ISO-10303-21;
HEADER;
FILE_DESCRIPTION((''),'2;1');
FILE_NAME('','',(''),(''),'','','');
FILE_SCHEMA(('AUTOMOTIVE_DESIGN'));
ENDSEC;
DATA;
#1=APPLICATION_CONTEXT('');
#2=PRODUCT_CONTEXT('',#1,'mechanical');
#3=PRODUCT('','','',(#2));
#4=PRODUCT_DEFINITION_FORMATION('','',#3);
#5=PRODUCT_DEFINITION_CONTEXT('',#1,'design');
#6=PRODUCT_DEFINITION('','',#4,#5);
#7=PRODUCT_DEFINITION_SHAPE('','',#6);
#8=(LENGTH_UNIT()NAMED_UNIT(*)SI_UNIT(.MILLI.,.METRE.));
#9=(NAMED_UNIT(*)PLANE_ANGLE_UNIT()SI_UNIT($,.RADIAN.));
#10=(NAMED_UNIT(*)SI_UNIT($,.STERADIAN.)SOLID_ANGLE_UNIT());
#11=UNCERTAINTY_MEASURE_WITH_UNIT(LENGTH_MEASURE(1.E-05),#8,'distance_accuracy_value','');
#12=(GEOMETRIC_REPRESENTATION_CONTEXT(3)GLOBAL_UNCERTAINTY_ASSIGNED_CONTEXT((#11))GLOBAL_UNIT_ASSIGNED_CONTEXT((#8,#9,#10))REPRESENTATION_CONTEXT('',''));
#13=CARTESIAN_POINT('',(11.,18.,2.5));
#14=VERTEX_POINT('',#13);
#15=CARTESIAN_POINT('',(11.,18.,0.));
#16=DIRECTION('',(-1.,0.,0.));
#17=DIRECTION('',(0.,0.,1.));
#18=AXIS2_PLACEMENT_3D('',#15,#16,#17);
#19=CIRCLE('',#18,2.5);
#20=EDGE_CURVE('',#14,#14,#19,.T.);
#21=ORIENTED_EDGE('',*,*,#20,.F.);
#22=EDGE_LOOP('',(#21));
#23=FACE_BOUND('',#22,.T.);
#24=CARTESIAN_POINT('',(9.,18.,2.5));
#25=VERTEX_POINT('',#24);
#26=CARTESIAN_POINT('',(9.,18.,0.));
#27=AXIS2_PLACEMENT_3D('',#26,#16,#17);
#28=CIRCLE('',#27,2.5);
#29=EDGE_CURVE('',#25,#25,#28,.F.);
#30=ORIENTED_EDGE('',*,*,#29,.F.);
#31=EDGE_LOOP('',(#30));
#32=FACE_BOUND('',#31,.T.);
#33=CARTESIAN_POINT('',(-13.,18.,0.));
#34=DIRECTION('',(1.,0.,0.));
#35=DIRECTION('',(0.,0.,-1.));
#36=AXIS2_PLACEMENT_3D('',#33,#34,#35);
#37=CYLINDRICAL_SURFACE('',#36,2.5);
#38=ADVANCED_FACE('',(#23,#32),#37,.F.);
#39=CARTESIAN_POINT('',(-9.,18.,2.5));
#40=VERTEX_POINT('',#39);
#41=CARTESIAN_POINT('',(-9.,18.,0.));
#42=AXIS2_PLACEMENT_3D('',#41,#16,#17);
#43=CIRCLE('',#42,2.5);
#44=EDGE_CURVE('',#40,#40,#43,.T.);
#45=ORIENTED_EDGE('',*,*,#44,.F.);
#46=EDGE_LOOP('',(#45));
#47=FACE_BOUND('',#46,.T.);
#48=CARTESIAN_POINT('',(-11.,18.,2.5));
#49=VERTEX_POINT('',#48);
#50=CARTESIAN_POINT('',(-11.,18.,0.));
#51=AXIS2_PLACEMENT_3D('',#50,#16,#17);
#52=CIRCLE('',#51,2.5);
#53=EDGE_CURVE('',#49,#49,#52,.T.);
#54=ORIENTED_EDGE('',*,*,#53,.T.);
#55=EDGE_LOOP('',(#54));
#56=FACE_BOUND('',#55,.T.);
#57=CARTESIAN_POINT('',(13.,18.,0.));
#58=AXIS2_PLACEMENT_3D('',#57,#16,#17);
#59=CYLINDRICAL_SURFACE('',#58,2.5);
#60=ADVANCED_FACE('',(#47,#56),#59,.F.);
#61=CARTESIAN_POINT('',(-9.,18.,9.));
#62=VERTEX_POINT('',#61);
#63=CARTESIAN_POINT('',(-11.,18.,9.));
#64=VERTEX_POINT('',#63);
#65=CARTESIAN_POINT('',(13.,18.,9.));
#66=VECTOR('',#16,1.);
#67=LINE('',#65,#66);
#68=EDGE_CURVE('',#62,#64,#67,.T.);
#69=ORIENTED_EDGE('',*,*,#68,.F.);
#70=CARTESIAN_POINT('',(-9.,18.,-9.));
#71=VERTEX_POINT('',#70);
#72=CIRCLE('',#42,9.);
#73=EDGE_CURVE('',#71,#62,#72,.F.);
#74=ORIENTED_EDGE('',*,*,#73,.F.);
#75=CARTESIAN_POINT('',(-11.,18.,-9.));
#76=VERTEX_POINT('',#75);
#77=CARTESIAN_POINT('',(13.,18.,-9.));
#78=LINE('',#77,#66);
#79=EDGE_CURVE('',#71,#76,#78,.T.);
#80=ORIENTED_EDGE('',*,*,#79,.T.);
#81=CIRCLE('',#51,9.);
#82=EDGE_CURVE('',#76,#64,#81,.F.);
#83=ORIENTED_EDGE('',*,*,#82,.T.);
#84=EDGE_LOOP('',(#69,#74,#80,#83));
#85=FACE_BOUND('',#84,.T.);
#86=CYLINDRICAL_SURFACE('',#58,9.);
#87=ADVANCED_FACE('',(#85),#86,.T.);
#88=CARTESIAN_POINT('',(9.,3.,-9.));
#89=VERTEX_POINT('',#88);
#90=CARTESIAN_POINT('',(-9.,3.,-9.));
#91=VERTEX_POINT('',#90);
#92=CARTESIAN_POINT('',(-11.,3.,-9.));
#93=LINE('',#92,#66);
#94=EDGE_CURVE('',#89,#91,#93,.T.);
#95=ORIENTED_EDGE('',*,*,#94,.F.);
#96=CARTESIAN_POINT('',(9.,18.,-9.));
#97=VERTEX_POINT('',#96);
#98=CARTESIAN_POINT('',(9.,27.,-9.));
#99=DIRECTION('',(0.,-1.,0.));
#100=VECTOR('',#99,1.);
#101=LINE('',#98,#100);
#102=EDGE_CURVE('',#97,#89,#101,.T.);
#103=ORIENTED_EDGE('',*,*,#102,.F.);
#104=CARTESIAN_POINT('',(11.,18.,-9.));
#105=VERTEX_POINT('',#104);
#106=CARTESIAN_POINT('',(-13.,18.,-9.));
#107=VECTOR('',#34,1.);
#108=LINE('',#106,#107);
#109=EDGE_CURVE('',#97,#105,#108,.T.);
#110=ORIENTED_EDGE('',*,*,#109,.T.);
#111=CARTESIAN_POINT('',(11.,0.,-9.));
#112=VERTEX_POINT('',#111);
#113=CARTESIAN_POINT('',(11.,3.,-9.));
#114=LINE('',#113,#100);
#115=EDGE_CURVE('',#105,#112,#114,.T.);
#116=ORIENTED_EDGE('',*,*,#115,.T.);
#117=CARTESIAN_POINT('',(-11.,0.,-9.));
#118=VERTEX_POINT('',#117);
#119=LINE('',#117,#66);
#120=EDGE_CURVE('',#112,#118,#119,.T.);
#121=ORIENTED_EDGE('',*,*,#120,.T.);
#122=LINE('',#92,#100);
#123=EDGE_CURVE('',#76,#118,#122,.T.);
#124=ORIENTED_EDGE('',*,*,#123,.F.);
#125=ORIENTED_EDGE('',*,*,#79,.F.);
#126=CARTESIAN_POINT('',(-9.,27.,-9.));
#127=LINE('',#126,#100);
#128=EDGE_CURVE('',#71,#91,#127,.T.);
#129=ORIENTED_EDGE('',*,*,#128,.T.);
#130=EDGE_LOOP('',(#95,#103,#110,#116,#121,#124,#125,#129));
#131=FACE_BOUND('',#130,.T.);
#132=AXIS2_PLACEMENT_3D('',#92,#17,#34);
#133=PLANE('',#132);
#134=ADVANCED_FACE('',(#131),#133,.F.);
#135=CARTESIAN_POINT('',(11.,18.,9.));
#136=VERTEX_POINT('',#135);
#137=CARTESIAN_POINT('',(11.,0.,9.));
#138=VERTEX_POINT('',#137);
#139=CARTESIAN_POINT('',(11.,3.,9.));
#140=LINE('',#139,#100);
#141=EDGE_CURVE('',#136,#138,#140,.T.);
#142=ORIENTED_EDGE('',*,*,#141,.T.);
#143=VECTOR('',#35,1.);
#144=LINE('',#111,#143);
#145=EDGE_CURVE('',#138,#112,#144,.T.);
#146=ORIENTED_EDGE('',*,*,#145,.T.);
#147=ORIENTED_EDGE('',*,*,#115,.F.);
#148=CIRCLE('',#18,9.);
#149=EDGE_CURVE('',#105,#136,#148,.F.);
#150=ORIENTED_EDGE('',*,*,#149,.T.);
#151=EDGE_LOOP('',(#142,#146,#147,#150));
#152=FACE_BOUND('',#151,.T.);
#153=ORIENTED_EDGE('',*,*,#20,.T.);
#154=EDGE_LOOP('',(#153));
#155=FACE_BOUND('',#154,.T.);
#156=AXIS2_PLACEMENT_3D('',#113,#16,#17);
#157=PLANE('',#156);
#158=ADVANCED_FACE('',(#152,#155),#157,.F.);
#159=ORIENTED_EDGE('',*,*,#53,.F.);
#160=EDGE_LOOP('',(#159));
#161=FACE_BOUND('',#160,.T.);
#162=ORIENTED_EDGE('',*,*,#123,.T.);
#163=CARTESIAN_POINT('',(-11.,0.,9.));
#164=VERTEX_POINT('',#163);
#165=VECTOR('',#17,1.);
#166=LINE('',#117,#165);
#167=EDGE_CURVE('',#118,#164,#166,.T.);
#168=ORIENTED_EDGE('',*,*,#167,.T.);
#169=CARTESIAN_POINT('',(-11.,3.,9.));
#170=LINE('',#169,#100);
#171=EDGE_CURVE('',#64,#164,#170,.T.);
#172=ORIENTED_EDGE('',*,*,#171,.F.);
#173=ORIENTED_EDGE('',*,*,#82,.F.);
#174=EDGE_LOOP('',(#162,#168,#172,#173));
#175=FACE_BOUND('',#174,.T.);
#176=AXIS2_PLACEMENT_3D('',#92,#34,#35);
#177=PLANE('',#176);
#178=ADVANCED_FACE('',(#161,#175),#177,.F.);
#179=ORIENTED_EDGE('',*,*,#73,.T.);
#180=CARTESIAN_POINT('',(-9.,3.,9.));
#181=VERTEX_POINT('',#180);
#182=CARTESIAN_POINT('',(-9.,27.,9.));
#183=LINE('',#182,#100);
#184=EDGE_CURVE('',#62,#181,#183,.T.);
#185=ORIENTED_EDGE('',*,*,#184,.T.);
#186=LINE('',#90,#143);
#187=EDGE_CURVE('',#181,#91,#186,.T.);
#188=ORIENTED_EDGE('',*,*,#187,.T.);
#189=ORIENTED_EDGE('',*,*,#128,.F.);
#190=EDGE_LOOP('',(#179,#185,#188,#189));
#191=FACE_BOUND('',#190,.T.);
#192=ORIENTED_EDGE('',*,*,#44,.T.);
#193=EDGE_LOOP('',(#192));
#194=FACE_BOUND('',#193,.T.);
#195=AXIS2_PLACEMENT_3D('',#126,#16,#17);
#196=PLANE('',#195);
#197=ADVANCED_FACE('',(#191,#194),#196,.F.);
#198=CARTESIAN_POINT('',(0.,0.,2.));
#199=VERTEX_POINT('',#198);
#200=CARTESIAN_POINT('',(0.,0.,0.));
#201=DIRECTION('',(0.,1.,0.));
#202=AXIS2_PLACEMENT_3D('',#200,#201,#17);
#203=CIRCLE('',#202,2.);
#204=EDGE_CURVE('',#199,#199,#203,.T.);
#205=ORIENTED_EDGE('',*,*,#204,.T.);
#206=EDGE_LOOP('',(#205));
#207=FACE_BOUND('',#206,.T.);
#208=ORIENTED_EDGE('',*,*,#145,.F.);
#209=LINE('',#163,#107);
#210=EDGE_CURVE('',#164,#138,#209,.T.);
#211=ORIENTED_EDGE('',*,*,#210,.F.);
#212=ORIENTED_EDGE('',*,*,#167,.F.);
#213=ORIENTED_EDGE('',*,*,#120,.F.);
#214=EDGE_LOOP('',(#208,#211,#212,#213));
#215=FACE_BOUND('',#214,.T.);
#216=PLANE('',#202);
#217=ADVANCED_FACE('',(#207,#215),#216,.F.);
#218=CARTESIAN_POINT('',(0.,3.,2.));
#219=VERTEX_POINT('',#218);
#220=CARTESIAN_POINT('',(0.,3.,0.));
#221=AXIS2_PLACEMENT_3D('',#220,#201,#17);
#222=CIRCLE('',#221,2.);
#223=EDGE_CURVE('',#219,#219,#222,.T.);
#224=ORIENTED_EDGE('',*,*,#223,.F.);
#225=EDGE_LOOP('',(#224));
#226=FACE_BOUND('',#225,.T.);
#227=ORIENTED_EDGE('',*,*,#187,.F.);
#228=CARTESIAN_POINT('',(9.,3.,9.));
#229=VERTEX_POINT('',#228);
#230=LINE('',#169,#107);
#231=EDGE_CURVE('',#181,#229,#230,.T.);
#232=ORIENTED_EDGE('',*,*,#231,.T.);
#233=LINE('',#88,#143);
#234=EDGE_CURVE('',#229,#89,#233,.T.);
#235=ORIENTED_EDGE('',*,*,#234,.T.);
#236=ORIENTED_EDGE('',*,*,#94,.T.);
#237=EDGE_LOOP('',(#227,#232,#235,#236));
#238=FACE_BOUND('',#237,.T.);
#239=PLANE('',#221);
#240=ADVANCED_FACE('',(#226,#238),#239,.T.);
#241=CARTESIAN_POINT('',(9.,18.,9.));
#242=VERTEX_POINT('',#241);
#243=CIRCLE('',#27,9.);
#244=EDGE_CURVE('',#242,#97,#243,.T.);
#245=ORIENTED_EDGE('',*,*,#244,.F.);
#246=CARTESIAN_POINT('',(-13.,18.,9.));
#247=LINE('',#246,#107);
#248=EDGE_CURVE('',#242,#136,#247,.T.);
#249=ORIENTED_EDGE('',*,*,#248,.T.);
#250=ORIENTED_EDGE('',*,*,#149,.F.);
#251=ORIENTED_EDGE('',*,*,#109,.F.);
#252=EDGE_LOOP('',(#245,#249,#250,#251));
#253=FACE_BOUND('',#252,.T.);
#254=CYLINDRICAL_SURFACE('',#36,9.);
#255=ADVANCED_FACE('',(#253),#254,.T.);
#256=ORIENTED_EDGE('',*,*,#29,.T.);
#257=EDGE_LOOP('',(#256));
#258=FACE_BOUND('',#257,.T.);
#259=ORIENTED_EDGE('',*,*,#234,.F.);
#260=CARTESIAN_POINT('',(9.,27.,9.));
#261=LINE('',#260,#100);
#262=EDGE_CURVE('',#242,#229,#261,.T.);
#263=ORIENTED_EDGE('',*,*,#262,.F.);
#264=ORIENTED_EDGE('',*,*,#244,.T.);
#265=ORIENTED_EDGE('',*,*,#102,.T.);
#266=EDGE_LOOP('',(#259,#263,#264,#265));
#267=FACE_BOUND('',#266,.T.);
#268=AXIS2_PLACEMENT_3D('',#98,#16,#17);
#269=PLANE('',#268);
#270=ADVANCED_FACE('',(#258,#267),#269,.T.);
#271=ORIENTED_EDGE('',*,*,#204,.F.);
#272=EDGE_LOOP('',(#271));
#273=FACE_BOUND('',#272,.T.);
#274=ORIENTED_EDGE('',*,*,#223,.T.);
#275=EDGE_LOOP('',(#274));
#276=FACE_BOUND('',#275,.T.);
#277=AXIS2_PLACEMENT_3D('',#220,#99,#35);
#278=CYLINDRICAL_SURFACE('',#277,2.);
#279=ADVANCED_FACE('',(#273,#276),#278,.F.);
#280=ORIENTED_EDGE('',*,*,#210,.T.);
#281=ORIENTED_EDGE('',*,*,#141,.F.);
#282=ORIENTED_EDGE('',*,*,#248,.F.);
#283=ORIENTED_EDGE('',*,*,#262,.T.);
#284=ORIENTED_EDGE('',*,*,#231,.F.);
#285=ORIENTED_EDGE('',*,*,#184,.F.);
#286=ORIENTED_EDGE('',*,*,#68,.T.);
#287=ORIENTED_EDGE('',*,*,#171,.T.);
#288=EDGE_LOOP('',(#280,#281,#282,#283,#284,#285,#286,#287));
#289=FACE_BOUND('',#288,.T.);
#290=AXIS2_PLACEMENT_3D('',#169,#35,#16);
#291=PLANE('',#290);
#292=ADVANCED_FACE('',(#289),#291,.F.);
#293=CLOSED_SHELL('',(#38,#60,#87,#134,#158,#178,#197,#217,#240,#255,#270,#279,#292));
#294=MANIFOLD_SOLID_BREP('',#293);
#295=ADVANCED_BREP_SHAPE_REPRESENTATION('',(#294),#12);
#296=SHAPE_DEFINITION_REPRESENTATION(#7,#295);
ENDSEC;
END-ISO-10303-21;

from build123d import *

# Parameters (mm, degrees)
SKETCH1_W           = 22
SKETCH1_H           = 18
SKETCH1_R           = 2
BOSS_EXTRUDE2_DEPTH = 3
SKETCH2_W           = 2
SKETCH2_H           = 18
BOSS_EXTRUDE3_DEPTH = 24
SKETCH3_R           = 2.5
CUT_EXTRUDE1_DEPTH  = 24


with BuildPart() as part:
    # Sketch1 → Boss-Extrude2 (new body)
    with BuildSketch(Plane(origin=(0, 0, 0), x_dir=(1, 0, 0), z_dir=(0, 1, 0))):
        Rectangle(SKETCH1_W, SKETCH1_H)
        with Locations(Location((0, 0, 0), (0, 0, 270))):
            Circle(SKETCH1_R, mode=Mode.SUBTRACT)
    boss_extrude2 = extrude(amount=BOSS_EXTRUDE2_DEPTH)

    # Sketch2 → Boss-Extrude3 (add)
    with BuildSketch(Plane(origin=(0, 3, 0), x_dir=(1, 0, 0), z_dir=(0, 1, 0))):
        with Locations((-10, 0)):
            Rectangle(SKETCH2_W, SKETCH2_H)
    boss_extrude3 = extrude(amount=BOSS_EXTRUDE3_DEPTH)

    # Sketch3 → Cut-Extrude1 (cut)
    with BuildSketch(Plane.ZY.offset(11)):
        with BuildLine():
            Line((9, 27), (0, 27))
            ThreePointArc((0, 27), (6.363961031, 24.363961031), (9, 18))
            Line((9, 18), (9, 27))
        make_face()
        with BuildLine():
            Line((-9, 27), (-9, 18))
            ThreePointArc((-9, 18), (-6.363961031, 24.363961031), (0, 27))
            Line((0, 27), (-9, 27))
        make_face()
        with Locations((0, 18)):
            Circle(SKETCH3_R)
    cut_extrude1 = extrude(amount=-CUT_EXTRUDE1_DEPTH, mode=Mode.SUBTRACT)

    # Mirror1: Boss-Extrude2, Boss-Extrude3, Cut-Extrude1 across plane
    add(boss_extrude2.mirror(Plane(origin=(0, 0, 0), x_dir=(0, 0, 1), z_dir=(1, 0, 0))))
    add(boss_extrude3.mirror(Plane(origin=(0, 0, 0), x_dir=(0, 0, 1), z_dir=(1, 0, 0))))
    add(cut_extrude1.mirror(Plane(origin=(0, 0, 0), x_dir=(0, 0, 1), z_dir=(1, 0, 0))), mode=Mode.SUBTRACT)


solid = part.part
